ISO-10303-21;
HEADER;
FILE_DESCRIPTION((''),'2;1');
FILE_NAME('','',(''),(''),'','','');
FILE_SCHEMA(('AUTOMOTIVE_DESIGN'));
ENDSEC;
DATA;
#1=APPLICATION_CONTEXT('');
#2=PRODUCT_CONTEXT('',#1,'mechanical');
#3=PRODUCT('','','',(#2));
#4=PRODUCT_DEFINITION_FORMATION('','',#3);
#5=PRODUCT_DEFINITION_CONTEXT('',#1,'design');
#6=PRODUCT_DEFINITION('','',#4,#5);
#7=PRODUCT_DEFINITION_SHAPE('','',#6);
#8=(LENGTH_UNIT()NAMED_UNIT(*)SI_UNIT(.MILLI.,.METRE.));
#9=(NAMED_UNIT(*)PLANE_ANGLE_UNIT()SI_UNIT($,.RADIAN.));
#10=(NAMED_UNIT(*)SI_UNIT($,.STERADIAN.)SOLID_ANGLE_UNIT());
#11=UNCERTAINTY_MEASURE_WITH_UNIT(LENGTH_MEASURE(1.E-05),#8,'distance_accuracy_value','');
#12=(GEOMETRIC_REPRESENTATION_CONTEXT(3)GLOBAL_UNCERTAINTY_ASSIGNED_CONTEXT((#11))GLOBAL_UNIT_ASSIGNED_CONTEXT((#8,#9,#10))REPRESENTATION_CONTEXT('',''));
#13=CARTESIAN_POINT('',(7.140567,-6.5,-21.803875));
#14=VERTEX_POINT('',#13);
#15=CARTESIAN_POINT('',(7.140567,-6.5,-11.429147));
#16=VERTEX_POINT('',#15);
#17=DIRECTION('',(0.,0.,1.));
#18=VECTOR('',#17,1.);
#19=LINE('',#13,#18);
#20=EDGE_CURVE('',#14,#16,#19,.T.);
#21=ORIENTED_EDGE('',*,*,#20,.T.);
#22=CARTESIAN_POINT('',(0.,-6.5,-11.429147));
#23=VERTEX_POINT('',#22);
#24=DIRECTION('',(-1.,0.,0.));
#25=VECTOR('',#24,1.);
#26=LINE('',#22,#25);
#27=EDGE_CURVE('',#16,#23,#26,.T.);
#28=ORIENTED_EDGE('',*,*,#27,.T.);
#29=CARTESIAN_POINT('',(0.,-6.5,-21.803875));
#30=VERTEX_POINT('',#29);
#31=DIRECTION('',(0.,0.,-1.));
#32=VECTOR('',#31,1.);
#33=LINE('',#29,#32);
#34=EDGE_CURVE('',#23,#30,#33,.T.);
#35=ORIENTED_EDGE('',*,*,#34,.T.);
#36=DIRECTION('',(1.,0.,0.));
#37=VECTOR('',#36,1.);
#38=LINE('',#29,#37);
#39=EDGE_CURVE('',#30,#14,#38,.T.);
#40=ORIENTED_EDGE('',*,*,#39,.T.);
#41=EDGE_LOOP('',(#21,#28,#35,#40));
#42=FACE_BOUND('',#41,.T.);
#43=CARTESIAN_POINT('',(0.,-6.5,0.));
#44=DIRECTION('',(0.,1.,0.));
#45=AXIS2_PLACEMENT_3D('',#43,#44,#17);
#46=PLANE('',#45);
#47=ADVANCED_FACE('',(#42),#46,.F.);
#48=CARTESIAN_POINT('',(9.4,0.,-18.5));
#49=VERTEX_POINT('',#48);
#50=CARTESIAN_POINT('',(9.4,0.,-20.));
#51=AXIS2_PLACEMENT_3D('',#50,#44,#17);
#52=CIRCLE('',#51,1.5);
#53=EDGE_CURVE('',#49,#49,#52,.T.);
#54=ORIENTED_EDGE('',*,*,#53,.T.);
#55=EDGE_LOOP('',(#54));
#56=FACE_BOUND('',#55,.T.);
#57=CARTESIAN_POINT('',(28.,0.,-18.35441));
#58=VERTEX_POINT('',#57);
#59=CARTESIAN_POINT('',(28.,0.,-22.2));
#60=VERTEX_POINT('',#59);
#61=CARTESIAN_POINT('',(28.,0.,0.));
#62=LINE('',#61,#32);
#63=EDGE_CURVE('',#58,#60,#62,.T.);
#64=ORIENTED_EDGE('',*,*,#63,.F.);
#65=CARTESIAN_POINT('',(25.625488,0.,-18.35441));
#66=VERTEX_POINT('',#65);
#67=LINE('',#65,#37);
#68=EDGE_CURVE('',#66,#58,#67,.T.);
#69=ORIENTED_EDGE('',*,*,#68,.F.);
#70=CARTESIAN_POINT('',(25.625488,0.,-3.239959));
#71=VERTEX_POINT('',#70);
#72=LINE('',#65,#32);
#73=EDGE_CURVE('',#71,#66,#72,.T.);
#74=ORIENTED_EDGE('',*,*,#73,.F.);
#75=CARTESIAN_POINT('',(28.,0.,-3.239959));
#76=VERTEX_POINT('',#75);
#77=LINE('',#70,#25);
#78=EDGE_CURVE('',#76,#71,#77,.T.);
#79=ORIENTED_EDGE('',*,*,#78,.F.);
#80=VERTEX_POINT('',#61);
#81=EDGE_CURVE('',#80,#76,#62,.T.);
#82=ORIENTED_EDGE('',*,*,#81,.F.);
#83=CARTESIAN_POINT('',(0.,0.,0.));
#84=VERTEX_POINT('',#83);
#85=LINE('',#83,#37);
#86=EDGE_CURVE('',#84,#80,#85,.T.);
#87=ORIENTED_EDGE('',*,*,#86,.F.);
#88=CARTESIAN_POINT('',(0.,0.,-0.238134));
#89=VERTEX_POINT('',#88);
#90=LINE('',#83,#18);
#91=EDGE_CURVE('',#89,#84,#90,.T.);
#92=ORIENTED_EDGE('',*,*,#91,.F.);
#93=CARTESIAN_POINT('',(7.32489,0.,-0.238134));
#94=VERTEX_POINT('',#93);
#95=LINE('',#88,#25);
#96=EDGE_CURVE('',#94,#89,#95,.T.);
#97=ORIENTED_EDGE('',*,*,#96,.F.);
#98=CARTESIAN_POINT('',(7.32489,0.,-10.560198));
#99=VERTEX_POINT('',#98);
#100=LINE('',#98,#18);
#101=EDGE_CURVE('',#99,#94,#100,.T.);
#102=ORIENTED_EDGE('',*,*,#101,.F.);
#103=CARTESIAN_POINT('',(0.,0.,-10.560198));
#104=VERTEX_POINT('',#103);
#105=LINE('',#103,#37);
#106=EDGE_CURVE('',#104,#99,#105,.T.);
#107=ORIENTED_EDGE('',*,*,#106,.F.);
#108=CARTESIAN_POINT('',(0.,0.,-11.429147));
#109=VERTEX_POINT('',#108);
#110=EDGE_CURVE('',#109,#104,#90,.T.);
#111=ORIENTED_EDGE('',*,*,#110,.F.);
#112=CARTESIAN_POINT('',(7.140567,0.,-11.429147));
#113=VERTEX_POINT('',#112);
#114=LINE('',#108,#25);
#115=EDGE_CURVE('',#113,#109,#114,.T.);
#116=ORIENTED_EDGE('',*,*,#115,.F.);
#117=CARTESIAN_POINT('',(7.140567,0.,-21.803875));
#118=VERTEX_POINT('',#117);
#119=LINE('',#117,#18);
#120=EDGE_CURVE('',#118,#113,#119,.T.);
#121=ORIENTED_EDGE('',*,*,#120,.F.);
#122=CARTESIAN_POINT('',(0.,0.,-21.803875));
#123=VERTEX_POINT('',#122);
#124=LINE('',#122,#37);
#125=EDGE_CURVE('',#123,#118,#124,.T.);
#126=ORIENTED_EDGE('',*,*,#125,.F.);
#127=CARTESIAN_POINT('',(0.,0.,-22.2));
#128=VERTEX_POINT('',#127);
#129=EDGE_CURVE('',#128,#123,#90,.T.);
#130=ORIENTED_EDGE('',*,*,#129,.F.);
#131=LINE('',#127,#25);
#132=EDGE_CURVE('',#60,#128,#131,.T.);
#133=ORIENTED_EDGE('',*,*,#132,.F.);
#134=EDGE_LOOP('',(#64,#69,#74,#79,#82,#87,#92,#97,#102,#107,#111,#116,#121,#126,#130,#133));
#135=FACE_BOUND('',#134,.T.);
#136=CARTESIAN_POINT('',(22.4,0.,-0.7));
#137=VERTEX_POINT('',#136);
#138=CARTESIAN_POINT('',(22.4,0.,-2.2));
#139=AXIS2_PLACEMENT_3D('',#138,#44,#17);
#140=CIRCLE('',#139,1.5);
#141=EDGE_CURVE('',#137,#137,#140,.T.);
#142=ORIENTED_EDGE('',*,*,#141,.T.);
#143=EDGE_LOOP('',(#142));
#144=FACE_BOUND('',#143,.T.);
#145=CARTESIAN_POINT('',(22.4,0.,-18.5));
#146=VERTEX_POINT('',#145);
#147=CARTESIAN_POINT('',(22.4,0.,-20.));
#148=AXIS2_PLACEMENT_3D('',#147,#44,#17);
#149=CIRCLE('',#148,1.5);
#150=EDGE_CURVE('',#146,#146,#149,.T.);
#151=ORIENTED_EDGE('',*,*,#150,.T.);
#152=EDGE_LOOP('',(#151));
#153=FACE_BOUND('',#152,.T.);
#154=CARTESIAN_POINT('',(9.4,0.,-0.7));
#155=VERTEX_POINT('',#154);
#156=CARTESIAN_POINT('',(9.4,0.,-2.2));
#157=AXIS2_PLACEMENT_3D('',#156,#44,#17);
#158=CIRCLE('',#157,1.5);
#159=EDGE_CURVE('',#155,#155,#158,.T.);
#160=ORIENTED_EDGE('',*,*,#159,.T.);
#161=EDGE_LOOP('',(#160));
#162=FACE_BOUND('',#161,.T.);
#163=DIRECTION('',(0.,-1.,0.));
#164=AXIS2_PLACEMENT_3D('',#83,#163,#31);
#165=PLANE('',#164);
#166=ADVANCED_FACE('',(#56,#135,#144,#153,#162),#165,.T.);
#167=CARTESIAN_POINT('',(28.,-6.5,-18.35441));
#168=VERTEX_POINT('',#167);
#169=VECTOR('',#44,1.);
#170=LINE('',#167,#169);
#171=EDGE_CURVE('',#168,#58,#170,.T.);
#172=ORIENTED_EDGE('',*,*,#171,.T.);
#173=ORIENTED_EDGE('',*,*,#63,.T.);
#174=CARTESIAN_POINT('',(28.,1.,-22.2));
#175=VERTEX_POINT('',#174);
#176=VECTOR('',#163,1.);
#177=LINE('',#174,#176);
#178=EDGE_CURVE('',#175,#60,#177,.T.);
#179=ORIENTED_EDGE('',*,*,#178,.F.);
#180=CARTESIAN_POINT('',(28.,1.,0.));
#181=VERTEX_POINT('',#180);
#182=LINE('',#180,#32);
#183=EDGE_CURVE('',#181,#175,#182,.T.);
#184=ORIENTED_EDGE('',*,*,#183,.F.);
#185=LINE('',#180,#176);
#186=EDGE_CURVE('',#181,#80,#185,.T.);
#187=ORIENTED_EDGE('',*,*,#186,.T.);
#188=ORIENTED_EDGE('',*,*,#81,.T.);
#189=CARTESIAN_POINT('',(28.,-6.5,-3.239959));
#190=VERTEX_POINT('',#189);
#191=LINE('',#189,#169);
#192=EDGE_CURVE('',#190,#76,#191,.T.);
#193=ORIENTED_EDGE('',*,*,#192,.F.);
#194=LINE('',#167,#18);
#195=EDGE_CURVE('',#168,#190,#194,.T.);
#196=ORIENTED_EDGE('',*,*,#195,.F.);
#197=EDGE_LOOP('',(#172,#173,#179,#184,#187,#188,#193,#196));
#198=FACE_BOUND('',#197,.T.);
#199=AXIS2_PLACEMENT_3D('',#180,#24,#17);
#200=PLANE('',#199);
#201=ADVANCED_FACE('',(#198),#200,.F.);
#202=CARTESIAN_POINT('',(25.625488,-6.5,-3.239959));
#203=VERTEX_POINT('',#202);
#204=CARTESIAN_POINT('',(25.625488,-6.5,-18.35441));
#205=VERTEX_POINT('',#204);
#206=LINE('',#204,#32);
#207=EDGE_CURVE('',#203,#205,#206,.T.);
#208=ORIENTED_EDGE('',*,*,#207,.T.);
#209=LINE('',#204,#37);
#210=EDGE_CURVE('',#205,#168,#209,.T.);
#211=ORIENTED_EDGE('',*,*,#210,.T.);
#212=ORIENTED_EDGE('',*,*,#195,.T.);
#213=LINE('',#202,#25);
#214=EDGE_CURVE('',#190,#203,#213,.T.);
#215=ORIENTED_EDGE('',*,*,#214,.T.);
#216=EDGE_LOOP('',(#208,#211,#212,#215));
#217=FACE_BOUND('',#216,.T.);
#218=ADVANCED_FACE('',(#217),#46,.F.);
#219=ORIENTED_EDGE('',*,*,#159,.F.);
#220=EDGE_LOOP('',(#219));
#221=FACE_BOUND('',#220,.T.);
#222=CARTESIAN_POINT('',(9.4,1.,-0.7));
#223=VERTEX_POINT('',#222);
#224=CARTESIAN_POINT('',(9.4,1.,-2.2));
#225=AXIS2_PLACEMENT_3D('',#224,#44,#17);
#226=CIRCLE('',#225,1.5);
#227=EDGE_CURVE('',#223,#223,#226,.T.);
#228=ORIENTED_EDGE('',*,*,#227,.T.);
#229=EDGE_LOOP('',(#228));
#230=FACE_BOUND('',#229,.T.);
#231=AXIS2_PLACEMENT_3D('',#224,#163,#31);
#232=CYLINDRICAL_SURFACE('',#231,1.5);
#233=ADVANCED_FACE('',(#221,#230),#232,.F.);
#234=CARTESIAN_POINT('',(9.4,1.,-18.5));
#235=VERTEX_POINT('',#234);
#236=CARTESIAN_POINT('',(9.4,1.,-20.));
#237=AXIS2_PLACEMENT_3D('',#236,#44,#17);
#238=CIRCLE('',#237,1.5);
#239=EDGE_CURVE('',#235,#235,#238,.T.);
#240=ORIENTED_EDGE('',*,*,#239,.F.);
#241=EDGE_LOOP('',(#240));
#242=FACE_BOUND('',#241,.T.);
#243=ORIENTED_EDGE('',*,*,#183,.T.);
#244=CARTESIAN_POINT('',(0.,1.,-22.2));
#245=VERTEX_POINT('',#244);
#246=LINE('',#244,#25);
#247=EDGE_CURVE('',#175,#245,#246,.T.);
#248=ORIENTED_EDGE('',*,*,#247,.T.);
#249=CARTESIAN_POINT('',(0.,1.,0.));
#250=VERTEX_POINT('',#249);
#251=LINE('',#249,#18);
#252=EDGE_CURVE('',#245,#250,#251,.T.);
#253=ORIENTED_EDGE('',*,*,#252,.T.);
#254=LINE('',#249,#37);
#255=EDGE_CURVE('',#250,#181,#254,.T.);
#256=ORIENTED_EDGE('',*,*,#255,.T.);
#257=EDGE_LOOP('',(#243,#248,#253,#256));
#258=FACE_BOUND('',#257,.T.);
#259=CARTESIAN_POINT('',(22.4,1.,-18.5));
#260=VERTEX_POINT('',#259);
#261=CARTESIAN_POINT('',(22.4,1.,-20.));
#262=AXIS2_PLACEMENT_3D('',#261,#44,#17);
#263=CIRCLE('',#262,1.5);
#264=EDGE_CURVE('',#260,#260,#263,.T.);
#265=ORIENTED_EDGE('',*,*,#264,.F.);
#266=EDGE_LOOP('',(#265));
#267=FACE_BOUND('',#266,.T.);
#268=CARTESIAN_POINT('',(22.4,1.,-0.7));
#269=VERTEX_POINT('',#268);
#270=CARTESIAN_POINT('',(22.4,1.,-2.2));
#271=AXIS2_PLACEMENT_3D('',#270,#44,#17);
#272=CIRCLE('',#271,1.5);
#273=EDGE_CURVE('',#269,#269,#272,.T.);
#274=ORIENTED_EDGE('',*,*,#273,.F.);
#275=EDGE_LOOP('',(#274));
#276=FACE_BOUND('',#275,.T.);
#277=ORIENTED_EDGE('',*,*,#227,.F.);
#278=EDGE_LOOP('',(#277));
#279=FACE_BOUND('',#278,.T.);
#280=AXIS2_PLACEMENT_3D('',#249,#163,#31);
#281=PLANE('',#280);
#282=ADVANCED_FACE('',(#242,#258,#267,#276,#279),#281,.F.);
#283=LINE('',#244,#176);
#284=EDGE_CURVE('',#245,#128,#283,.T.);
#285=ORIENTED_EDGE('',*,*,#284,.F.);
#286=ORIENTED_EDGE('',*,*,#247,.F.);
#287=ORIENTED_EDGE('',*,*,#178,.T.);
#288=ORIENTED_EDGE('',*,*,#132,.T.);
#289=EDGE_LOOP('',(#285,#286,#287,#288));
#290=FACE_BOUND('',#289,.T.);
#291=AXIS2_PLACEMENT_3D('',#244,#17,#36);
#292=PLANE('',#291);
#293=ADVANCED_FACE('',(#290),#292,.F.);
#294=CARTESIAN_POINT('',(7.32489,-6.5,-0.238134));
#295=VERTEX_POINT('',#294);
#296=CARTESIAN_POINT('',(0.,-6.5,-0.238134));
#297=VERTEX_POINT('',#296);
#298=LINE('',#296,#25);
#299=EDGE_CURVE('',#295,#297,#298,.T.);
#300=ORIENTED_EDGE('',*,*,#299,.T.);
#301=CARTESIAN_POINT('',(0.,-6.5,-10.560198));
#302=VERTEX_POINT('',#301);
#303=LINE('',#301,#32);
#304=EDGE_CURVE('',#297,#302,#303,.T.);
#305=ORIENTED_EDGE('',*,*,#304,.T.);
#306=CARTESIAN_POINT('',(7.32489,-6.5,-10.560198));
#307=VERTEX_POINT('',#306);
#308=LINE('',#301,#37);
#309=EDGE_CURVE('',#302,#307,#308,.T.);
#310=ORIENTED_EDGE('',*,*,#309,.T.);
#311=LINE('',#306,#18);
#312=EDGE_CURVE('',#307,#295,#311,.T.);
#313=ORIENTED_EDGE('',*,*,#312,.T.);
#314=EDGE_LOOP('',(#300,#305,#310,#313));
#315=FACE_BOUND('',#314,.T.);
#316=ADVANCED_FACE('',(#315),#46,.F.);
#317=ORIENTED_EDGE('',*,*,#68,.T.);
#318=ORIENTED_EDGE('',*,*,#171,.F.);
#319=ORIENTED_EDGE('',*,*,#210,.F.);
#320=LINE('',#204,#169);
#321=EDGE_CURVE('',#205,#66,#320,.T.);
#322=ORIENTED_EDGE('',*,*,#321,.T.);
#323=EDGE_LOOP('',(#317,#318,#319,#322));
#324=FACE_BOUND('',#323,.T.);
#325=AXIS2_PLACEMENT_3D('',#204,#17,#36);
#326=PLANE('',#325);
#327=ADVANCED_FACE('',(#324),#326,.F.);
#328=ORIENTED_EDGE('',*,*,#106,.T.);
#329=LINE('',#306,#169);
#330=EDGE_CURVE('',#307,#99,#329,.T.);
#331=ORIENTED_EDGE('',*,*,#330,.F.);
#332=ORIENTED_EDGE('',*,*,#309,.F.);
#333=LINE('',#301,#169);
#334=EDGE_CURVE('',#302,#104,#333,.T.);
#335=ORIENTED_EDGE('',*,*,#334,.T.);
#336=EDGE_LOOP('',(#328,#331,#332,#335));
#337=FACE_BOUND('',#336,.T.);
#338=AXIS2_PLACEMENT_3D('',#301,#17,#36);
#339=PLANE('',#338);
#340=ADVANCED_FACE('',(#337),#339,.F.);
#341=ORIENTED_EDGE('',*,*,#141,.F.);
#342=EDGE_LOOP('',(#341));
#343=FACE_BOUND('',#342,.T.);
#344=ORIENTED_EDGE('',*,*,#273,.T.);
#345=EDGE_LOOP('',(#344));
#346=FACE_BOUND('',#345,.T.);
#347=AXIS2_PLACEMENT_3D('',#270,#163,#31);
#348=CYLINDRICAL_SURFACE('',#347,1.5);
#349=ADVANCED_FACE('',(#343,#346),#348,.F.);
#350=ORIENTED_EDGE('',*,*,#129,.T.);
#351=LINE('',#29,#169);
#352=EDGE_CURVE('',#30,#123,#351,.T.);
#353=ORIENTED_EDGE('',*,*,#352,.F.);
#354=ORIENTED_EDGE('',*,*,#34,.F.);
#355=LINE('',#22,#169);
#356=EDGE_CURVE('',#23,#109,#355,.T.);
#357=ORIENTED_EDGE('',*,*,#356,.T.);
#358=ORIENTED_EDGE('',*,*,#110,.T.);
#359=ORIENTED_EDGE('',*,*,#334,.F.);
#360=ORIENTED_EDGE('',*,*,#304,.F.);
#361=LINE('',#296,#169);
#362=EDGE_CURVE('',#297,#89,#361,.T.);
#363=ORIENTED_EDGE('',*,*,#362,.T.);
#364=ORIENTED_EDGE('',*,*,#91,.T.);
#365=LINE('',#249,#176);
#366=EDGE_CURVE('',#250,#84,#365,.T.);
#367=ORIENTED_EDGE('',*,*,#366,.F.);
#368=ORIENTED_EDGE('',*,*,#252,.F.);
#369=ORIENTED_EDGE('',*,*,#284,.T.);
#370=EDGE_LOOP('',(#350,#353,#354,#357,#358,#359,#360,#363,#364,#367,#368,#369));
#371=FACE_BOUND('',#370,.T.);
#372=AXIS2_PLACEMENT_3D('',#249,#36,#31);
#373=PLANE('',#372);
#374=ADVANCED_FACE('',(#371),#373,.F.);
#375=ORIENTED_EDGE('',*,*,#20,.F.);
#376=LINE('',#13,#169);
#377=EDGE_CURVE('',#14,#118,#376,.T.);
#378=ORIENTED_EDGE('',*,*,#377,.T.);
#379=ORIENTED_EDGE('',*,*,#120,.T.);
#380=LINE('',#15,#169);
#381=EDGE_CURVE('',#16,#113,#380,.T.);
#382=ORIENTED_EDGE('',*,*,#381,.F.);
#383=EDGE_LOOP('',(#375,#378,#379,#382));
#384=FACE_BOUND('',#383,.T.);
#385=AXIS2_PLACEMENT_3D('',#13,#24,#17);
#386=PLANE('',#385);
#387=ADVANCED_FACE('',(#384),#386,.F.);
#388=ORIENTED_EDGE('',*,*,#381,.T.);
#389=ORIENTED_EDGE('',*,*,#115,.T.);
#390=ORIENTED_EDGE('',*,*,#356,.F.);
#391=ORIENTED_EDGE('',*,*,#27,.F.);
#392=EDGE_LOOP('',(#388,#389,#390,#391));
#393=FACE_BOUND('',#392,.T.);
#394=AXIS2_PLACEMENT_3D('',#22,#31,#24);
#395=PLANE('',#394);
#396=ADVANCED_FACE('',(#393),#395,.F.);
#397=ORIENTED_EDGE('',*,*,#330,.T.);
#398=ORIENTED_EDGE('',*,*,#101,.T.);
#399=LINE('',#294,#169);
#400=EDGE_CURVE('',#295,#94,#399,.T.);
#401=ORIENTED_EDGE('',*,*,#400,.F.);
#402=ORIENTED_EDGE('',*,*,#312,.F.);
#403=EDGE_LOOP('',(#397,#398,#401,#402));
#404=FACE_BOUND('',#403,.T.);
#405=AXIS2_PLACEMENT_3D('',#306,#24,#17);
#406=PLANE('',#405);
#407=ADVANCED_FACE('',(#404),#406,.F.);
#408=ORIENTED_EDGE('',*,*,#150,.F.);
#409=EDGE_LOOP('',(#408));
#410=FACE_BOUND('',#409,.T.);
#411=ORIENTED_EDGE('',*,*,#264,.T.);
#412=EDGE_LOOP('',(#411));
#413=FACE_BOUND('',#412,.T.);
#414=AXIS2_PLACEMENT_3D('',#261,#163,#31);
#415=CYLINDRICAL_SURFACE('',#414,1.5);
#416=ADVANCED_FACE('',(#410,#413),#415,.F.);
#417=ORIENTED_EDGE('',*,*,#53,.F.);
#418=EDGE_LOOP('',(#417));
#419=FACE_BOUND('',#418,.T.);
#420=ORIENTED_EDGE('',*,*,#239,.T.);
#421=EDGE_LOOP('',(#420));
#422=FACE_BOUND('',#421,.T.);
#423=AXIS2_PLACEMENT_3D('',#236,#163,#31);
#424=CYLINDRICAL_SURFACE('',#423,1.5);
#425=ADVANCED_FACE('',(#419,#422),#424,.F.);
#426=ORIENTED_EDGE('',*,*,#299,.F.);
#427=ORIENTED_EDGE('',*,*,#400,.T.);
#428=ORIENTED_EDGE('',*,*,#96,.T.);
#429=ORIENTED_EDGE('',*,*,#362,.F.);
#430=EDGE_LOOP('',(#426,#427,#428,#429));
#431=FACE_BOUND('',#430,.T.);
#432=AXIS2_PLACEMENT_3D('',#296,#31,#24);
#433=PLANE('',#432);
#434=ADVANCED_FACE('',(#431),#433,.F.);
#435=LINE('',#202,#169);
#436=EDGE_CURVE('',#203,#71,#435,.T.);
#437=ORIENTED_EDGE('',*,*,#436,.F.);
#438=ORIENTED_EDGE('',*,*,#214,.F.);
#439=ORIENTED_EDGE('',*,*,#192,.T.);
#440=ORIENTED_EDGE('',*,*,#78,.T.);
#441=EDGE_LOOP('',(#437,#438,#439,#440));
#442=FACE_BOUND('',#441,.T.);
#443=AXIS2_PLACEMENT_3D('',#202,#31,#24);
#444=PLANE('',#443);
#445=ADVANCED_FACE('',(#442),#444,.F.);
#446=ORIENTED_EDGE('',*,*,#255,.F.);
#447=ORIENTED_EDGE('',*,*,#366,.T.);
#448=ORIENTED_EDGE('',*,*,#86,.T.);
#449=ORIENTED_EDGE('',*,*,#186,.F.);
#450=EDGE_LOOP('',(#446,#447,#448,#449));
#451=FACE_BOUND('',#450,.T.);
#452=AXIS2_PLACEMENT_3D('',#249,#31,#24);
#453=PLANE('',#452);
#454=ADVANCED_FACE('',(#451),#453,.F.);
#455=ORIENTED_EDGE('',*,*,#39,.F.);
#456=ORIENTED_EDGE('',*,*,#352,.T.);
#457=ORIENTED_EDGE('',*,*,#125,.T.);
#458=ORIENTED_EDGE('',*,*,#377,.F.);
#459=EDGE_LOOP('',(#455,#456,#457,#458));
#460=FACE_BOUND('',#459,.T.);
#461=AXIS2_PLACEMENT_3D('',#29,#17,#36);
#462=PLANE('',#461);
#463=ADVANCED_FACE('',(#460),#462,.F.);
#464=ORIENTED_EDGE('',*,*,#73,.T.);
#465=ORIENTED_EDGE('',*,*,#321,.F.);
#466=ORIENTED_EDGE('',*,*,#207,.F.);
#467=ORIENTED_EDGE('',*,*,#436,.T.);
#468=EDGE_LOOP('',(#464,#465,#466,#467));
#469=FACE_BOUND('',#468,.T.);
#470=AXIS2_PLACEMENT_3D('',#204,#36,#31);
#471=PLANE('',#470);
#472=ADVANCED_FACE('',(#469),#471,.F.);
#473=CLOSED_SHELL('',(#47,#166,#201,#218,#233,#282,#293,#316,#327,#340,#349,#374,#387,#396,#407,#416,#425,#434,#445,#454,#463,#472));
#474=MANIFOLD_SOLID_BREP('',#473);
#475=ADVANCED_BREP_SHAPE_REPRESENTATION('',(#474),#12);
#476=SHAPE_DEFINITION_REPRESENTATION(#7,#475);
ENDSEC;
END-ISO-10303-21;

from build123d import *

# Parameters (mm, degrees)
SKETCH1_W           = 28
SKETCH1_H           = 22.2
SKETCH1_R           = 1.5
BOSS_EXTRUDE1_DEPTH = 1
SKETCH2_W           = 7.140567323
SKETCH2_H           = 10.37472735
SKETCH2_W_2         = 7.324889891
SKETCH2_H_2         = 10.322063759
SKETCH2_W_3         = 2.374512373
SKETCH2_H_3         = 15.114450504
BOSS_EXTRUDE2_DEPTH = 6.5


with BuildPart() as part:
    # Sketch1 → Boss-Extrude1 (new body)
    with BuildSketch(Plane(origin=(0, 0, 0), x_dir=(1, 0, 0), z_dir=(0, 1, 0))):
        with Locations((14, 11.1)):
            Rectangle(SKETCH1_W, SKETCH1_H)
        with Locations((9.4, 20)):
            Circle(SKETCH1_R, mode=Mode.SUBTRACT)
        with Locations((22.4, 20)):
            Circle(SKETCH1_R, mode=Mode.SUBTRACT)
        with Locations((22.4, 2.2)):
            Circle(SKETCH1_R, mode=Mode.SUBTRACT)
        with Locations((9.4, 2.2)):
            Circle(SKETCH1_R, mode=Mode.SUBTRACT)
    extrude(amount=BOSS_EXTRUDE1_DEPTH)

    # Sketch2 → Boss-Extrude2 (add)
    with BuildSketch(Plane.XZ):
        with Locations((3.570283662, -16.616511116)):
            Rectangle(SKETCH2_W, SKETCH2_H)
        with Locations((3.662444946, -5.399166316)):
            Rectangle(SKETCH2_W_2, SKETCH2_H_2)
        with Locations((26.812743813, -10.797184354)):
            Rectangle(SKETCH2_W_3, SKETCH2_H_3)
    extrude(amount=BOSS_EXTRUDE2_DEPTH)


solid = part.part
